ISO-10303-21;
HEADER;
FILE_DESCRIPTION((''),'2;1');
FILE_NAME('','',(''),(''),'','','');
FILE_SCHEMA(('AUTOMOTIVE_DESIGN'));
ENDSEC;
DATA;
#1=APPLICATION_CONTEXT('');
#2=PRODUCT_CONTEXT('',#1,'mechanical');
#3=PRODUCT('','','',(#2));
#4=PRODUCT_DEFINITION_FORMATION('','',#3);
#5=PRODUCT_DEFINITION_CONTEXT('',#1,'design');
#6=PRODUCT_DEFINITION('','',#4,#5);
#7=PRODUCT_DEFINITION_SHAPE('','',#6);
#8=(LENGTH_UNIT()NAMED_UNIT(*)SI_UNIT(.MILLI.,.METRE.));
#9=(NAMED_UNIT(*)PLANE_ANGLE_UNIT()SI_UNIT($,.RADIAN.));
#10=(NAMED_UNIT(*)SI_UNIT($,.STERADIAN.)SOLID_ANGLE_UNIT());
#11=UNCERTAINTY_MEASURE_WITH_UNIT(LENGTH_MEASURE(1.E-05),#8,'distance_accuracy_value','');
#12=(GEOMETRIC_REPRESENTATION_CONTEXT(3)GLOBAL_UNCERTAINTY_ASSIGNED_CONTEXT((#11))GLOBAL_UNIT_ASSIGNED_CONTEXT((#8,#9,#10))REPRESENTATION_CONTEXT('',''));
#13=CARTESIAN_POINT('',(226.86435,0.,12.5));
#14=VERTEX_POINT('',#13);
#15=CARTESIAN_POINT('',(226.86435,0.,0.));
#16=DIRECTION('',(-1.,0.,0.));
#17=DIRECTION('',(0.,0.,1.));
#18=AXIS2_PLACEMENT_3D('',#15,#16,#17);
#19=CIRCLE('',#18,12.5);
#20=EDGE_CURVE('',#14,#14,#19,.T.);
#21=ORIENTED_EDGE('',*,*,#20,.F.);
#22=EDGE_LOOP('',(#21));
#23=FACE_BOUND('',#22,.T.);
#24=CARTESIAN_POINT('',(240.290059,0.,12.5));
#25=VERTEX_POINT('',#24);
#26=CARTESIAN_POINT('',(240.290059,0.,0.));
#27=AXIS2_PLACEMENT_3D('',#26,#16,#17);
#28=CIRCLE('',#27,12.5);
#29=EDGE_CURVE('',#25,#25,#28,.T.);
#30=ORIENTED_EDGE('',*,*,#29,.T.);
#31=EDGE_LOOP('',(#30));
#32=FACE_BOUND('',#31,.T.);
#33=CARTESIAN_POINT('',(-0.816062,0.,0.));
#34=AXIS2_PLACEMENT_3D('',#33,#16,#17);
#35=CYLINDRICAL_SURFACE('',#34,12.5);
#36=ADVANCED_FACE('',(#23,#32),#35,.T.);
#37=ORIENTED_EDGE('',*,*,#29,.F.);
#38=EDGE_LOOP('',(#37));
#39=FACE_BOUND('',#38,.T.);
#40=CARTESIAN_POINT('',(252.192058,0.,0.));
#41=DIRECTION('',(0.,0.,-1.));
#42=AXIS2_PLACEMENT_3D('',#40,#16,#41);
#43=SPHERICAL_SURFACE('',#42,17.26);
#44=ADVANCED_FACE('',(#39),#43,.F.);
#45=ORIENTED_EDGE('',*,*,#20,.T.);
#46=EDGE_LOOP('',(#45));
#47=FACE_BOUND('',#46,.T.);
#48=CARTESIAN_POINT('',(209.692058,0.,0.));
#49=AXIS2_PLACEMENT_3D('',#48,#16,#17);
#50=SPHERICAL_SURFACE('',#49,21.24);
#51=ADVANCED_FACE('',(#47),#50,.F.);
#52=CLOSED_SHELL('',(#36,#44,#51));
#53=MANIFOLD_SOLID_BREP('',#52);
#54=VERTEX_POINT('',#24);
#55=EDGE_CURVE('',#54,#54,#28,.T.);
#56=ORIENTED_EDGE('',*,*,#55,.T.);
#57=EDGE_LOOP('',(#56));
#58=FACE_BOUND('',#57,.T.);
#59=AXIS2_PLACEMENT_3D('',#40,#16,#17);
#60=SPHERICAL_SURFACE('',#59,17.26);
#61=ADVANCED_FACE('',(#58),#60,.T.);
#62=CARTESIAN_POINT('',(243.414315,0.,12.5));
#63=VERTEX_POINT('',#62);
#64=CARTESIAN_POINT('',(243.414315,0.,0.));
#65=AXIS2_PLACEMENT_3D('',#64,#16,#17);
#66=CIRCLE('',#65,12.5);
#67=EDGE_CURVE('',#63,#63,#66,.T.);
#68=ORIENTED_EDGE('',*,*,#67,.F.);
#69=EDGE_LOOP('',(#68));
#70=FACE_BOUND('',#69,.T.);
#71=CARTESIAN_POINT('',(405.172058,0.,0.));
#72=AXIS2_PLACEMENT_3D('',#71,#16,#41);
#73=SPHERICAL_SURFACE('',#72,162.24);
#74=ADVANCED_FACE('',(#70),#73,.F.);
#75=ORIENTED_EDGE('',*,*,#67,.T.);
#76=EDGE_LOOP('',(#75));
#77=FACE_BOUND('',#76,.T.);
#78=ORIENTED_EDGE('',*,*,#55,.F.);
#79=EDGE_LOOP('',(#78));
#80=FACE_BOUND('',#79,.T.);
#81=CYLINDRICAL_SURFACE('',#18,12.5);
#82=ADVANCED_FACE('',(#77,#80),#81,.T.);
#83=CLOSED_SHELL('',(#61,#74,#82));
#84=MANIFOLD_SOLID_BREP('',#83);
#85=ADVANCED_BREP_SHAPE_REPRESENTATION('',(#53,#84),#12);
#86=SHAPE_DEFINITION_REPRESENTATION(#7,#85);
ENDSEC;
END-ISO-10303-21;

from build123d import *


with BuildPart() as part:
    # 草图1 one side → 旋转1 (revolve)
    with BuildSketch(Plane(origin=(0, 0, 0), x_dir=(1, 0, 0), z_dir=(0, 1, 0)), mode=Mode.PRIVATE) as revolve_1_sk:
        with BuildLine():
            Line((240.290058537, 12.5), (226.864350004, 12.5))
            ThreePointArc((226.864350004, 12.5), (229.889546757, 6.572599397), (230.932058369, 0))
            Line((230.932058369, 0), (234.932058369, 0))
            ThreePointArc((234.932058369, 0), (236.328009121, 6.799966283), (240.290058537, 12.5))
        make_face()
    revolve(revolve_1_sk.sketch.rotate(Axis((-0.816062176, 0, 0), (1, 0, 0)), 180), axis=Axis((-0.816062176, 0, 0), (1, 0, 0)))  # turned: the seam where the file's is


with BuildPart() as body_2:
    # 草图2 one side → 旋转3 (revolve)
    with BuildSketch(Plane(origin=(0, 0, 0), x_dir=(1, 0, 0), z_dir=(0, 1, 0)), mode=Mode.PRIVATE) as revolve_3_sk:
        with BuildLine():
            Line((243.414314814, 12.5), (240.290058537, 12.5))
            ThreePointArc((240.290058537, 12.5), (236.328009121, 6.799966283), (234.932058369, 0))
            Line((234.932058369, 0), (242.932058369, 0))
            ThreePointArc((242.932058369, 0), (243.05266731, 6.254649696), (243.414314814, 12.5))
        make_face()
    revolve(revolve_3_sk.sketch.rotate(Axis((226.864350004, 0, 0), (1, 0, 0)), 180), axis=Axis((226.864350004, 0, 0), (1, 0, 0)))  # turned: the seam where the file's is


solid = Compound([part.part, body_2.part])
